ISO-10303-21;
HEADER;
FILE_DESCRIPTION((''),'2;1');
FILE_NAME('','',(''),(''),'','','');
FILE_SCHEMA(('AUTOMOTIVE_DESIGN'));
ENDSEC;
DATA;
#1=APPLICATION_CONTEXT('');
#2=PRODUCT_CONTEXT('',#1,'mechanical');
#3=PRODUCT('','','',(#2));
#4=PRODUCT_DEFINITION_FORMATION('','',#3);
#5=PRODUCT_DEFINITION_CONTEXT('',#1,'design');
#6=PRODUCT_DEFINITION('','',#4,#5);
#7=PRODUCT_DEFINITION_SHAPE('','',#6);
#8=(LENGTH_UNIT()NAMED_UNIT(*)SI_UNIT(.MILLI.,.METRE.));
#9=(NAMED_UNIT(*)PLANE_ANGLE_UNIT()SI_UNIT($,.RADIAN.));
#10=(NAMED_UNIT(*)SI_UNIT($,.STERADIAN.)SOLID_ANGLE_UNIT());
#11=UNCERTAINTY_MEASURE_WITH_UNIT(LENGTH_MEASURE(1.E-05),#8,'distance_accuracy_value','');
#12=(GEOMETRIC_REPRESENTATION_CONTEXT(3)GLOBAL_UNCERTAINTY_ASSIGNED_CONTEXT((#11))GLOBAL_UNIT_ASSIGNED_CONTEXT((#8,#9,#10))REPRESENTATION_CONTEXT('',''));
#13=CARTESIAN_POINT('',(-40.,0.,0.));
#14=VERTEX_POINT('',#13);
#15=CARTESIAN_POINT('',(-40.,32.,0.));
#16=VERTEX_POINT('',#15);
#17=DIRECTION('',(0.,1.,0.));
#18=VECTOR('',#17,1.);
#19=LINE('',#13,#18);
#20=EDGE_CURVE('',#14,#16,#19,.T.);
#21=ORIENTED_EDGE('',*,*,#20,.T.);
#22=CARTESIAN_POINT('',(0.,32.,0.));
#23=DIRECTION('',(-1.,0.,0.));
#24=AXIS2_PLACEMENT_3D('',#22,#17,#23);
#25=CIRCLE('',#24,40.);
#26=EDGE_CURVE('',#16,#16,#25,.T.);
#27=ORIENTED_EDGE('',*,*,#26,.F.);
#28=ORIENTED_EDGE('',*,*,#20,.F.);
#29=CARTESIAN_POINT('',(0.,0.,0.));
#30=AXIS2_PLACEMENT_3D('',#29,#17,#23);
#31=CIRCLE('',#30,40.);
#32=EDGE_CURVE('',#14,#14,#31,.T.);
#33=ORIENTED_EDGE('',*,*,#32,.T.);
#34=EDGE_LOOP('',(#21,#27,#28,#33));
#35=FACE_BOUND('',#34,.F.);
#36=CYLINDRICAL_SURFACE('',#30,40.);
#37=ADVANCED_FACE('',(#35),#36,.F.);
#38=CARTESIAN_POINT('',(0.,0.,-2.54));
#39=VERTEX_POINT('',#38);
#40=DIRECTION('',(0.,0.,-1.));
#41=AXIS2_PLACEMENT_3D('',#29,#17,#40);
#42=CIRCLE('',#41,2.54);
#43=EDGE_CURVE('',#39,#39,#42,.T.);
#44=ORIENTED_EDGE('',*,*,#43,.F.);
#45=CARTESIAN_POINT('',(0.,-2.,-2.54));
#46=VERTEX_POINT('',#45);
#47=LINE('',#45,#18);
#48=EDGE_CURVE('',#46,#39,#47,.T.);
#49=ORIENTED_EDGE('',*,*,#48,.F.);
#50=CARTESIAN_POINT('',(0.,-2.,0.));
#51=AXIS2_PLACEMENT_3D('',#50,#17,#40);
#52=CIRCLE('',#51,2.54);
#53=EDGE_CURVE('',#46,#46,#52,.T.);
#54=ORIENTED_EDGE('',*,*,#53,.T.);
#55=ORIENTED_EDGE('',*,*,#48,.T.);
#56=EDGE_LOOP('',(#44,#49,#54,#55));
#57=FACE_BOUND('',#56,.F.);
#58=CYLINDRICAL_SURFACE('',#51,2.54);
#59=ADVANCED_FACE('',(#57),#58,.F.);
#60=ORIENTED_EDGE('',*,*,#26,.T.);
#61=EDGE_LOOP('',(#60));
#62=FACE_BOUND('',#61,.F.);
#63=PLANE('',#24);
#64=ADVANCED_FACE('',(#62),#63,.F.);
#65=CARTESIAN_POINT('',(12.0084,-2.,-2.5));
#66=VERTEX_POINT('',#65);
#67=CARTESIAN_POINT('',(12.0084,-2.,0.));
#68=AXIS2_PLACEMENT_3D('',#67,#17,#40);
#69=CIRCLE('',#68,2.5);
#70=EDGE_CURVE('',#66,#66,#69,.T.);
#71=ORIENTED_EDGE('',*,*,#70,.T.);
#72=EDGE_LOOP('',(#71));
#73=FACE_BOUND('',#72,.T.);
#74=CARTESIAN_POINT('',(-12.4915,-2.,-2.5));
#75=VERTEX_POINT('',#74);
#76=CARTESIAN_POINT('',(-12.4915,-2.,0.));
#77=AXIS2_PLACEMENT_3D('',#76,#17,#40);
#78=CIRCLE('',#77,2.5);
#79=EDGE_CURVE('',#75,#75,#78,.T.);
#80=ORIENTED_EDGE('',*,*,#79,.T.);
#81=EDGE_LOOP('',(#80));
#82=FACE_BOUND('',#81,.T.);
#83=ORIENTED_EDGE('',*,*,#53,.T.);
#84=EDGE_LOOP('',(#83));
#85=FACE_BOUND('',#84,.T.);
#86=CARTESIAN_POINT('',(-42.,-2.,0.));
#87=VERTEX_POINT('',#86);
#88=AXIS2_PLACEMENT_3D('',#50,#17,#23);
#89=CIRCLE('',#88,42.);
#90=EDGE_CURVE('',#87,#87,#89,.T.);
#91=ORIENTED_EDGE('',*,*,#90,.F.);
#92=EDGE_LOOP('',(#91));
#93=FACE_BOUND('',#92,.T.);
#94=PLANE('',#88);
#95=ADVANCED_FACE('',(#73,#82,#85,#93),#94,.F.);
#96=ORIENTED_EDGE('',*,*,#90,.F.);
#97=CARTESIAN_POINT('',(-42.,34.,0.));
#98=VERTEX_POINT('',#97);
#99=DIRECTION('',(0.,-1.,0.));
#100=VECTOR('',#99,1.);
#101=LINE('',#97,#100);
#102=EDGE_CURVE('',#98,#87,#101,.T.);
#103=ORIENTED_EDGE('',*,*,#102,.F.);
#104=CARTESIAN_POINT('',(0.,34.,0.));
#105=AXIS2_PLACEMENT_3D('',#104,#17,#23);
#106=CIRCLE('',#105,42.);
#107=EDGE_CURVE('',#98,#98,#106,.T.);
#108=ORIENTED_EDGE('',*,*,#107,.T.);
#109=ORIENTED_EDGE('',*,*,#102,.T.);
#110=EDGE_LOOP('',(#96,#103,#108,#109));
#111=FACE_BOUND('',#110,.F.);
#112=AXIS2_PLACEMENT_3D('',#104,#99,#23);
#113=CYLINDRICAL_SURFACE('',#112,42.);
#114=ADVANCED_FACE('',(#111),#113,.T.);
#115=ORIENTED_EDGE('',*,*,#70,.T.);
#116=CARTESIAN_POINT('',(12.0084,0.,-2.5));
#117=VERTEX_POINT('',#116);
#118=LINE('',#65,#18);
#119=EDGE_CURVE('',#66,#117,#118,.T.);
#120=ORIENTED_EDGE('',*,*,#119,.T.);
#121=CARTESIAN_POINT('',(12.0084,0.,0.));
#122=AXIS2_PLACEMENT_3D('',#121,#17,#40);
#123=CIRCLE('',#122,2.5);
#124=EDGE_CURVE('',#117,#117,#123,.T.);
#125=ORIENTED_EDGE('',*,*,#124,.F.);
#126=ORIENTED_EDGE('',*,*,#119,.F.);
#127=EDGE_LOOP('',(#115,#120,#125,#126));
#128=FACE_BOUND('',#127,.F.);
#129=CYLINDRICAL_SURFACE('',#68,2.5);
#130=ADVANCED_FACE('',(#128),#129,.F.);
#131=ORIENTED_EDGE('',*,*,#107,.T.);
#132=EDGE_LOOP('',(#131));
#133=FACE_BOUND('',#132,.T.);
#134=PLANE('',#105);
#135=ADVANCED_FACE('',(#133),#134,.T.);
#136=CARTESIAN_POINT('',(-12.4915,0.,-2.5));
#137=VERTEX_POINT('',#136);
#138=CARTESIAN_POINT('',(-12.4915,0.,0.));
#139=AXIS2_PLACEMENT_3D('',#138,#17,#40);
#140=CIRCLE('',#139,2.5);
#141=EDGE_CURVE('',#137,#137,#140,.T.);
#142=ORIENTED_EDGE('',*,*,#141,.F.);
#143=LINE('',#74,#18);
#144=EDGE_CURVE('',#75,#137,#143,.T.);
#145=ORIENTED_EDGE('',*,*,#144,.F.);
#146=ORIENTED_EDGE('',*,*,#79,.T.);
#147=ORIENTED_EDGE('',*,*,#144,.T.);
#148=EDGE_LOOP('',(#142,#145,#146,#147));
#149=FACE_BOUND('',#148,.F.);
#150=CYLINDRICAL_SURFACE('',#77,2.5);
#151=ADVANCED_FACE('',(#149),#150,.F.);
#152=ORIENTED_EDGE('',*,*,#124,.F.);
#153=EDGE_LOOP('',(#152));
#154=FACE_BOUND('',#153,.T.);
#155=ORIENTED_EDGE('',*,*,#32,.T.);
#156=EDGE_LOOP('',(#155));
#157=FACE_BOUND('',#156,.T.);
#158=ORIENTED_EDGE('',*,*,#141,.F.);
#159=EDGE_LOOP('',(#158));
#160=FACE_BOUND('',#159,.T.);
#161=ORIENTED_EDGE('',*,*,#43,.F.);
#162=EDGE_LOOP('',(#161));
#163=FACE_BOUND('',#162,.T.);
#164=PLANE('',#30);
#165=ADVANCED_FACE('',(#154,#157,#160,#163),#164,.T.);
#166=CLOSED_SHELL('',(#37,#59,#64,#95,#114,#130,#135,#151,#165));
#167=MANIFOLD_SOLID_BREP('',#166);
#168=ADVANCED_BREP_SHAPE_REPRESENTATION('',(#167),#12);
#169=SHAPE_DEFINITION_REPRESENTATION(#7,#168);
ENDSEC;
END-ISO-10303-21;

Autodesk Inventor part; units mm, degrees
ref_plane "YZ Plane" through (0, 0, 0) normal (1, 0, 0) x (0, 1, 0)
ref_plane "XZ Plane" through (0, 0, 0) normal (0, 1, 0) x (-1, 0, 0)
ref_plane "XY Plane" through (0, 0, 0) normal (0, 0, 1) x (1, 0, 0)
sketch "Sketch1" plane through (0, 0, 0) normal (0, 0, 1) x (1, 0, 0)
  line L0 (-40, 0) -> (-40, 32)
  line L1 (-42, 34) -> (-42, -2)
  line L2 (-40, 0) -> (0, 0)
  line L3 (0, 0) -> (0, -2)
  line L4 (0, -2) -> (-42, -2)
  line L5 (0, -10.8) -> (0, 50.8) projected
  line L6 (-42, 34) -> (0, 34)
  line L7 (-40, 32) -> (0, 32)
  line L8 (0, 32) -> (0, 34)
  dimension "d5" = 2
  dimension "radius" = 40
  dimension "d7" = 2
  dimension "d37" = 2
  dimension "SampleVolumeInnerHeight" = 32
revolve "Revolution1" add sketch "Sketch1" angle 360 about axis through (0, -10, 0) along (0, 1, 0) contours L2 L3 L4 L1 L6 L5 L7 L0
sketch "Sketch3" plane through (0, -2, 0) normal (0, -1, 0) x (1, 0, 0)
  line L0 (-12.4915, 0) -> (12.0084, 0)
  point P0 (0, 0)
  dimension "DistanceBetweenHolesSweep" = 24.5
hole "Hole2" at (0, -2, 0) direction (0, 1, 0) diameter 5.08 depth 2
hole "Hole3" at (-12.4915, -2, 0) at (12.0084, -2, 0) direction (0, 1, 0) diameter 5 depth 2
equation "\"d5\" = thickness"
equation "\"radius\" = 0.5 * SaltDiameter"
equation "\"d7\" = thickness"
equation "\"d37\" = crucible_thickness"
equation "\"SampleVolumeInnerHeight\" = 4 * SaltThickness"
equation "\"d22\" = fixation_holes_diameter"
equation "\"d30\" = PenetrationOuterDiameter"
equation "\"thickness\" = crucible_thickness"
equation "\"SaltDiameter\" = 80"
equation "\"crucible_thickness\" = 2"
equation "\"SaltThickness\" = 8"
equation "\"fixation_holes_diameter\" = 5.08"
equation "\"PenetrationOuterDiameter\" = 5"
properties part number "UpstreamVolume" material "Nickel-Copper Alloy 400"
